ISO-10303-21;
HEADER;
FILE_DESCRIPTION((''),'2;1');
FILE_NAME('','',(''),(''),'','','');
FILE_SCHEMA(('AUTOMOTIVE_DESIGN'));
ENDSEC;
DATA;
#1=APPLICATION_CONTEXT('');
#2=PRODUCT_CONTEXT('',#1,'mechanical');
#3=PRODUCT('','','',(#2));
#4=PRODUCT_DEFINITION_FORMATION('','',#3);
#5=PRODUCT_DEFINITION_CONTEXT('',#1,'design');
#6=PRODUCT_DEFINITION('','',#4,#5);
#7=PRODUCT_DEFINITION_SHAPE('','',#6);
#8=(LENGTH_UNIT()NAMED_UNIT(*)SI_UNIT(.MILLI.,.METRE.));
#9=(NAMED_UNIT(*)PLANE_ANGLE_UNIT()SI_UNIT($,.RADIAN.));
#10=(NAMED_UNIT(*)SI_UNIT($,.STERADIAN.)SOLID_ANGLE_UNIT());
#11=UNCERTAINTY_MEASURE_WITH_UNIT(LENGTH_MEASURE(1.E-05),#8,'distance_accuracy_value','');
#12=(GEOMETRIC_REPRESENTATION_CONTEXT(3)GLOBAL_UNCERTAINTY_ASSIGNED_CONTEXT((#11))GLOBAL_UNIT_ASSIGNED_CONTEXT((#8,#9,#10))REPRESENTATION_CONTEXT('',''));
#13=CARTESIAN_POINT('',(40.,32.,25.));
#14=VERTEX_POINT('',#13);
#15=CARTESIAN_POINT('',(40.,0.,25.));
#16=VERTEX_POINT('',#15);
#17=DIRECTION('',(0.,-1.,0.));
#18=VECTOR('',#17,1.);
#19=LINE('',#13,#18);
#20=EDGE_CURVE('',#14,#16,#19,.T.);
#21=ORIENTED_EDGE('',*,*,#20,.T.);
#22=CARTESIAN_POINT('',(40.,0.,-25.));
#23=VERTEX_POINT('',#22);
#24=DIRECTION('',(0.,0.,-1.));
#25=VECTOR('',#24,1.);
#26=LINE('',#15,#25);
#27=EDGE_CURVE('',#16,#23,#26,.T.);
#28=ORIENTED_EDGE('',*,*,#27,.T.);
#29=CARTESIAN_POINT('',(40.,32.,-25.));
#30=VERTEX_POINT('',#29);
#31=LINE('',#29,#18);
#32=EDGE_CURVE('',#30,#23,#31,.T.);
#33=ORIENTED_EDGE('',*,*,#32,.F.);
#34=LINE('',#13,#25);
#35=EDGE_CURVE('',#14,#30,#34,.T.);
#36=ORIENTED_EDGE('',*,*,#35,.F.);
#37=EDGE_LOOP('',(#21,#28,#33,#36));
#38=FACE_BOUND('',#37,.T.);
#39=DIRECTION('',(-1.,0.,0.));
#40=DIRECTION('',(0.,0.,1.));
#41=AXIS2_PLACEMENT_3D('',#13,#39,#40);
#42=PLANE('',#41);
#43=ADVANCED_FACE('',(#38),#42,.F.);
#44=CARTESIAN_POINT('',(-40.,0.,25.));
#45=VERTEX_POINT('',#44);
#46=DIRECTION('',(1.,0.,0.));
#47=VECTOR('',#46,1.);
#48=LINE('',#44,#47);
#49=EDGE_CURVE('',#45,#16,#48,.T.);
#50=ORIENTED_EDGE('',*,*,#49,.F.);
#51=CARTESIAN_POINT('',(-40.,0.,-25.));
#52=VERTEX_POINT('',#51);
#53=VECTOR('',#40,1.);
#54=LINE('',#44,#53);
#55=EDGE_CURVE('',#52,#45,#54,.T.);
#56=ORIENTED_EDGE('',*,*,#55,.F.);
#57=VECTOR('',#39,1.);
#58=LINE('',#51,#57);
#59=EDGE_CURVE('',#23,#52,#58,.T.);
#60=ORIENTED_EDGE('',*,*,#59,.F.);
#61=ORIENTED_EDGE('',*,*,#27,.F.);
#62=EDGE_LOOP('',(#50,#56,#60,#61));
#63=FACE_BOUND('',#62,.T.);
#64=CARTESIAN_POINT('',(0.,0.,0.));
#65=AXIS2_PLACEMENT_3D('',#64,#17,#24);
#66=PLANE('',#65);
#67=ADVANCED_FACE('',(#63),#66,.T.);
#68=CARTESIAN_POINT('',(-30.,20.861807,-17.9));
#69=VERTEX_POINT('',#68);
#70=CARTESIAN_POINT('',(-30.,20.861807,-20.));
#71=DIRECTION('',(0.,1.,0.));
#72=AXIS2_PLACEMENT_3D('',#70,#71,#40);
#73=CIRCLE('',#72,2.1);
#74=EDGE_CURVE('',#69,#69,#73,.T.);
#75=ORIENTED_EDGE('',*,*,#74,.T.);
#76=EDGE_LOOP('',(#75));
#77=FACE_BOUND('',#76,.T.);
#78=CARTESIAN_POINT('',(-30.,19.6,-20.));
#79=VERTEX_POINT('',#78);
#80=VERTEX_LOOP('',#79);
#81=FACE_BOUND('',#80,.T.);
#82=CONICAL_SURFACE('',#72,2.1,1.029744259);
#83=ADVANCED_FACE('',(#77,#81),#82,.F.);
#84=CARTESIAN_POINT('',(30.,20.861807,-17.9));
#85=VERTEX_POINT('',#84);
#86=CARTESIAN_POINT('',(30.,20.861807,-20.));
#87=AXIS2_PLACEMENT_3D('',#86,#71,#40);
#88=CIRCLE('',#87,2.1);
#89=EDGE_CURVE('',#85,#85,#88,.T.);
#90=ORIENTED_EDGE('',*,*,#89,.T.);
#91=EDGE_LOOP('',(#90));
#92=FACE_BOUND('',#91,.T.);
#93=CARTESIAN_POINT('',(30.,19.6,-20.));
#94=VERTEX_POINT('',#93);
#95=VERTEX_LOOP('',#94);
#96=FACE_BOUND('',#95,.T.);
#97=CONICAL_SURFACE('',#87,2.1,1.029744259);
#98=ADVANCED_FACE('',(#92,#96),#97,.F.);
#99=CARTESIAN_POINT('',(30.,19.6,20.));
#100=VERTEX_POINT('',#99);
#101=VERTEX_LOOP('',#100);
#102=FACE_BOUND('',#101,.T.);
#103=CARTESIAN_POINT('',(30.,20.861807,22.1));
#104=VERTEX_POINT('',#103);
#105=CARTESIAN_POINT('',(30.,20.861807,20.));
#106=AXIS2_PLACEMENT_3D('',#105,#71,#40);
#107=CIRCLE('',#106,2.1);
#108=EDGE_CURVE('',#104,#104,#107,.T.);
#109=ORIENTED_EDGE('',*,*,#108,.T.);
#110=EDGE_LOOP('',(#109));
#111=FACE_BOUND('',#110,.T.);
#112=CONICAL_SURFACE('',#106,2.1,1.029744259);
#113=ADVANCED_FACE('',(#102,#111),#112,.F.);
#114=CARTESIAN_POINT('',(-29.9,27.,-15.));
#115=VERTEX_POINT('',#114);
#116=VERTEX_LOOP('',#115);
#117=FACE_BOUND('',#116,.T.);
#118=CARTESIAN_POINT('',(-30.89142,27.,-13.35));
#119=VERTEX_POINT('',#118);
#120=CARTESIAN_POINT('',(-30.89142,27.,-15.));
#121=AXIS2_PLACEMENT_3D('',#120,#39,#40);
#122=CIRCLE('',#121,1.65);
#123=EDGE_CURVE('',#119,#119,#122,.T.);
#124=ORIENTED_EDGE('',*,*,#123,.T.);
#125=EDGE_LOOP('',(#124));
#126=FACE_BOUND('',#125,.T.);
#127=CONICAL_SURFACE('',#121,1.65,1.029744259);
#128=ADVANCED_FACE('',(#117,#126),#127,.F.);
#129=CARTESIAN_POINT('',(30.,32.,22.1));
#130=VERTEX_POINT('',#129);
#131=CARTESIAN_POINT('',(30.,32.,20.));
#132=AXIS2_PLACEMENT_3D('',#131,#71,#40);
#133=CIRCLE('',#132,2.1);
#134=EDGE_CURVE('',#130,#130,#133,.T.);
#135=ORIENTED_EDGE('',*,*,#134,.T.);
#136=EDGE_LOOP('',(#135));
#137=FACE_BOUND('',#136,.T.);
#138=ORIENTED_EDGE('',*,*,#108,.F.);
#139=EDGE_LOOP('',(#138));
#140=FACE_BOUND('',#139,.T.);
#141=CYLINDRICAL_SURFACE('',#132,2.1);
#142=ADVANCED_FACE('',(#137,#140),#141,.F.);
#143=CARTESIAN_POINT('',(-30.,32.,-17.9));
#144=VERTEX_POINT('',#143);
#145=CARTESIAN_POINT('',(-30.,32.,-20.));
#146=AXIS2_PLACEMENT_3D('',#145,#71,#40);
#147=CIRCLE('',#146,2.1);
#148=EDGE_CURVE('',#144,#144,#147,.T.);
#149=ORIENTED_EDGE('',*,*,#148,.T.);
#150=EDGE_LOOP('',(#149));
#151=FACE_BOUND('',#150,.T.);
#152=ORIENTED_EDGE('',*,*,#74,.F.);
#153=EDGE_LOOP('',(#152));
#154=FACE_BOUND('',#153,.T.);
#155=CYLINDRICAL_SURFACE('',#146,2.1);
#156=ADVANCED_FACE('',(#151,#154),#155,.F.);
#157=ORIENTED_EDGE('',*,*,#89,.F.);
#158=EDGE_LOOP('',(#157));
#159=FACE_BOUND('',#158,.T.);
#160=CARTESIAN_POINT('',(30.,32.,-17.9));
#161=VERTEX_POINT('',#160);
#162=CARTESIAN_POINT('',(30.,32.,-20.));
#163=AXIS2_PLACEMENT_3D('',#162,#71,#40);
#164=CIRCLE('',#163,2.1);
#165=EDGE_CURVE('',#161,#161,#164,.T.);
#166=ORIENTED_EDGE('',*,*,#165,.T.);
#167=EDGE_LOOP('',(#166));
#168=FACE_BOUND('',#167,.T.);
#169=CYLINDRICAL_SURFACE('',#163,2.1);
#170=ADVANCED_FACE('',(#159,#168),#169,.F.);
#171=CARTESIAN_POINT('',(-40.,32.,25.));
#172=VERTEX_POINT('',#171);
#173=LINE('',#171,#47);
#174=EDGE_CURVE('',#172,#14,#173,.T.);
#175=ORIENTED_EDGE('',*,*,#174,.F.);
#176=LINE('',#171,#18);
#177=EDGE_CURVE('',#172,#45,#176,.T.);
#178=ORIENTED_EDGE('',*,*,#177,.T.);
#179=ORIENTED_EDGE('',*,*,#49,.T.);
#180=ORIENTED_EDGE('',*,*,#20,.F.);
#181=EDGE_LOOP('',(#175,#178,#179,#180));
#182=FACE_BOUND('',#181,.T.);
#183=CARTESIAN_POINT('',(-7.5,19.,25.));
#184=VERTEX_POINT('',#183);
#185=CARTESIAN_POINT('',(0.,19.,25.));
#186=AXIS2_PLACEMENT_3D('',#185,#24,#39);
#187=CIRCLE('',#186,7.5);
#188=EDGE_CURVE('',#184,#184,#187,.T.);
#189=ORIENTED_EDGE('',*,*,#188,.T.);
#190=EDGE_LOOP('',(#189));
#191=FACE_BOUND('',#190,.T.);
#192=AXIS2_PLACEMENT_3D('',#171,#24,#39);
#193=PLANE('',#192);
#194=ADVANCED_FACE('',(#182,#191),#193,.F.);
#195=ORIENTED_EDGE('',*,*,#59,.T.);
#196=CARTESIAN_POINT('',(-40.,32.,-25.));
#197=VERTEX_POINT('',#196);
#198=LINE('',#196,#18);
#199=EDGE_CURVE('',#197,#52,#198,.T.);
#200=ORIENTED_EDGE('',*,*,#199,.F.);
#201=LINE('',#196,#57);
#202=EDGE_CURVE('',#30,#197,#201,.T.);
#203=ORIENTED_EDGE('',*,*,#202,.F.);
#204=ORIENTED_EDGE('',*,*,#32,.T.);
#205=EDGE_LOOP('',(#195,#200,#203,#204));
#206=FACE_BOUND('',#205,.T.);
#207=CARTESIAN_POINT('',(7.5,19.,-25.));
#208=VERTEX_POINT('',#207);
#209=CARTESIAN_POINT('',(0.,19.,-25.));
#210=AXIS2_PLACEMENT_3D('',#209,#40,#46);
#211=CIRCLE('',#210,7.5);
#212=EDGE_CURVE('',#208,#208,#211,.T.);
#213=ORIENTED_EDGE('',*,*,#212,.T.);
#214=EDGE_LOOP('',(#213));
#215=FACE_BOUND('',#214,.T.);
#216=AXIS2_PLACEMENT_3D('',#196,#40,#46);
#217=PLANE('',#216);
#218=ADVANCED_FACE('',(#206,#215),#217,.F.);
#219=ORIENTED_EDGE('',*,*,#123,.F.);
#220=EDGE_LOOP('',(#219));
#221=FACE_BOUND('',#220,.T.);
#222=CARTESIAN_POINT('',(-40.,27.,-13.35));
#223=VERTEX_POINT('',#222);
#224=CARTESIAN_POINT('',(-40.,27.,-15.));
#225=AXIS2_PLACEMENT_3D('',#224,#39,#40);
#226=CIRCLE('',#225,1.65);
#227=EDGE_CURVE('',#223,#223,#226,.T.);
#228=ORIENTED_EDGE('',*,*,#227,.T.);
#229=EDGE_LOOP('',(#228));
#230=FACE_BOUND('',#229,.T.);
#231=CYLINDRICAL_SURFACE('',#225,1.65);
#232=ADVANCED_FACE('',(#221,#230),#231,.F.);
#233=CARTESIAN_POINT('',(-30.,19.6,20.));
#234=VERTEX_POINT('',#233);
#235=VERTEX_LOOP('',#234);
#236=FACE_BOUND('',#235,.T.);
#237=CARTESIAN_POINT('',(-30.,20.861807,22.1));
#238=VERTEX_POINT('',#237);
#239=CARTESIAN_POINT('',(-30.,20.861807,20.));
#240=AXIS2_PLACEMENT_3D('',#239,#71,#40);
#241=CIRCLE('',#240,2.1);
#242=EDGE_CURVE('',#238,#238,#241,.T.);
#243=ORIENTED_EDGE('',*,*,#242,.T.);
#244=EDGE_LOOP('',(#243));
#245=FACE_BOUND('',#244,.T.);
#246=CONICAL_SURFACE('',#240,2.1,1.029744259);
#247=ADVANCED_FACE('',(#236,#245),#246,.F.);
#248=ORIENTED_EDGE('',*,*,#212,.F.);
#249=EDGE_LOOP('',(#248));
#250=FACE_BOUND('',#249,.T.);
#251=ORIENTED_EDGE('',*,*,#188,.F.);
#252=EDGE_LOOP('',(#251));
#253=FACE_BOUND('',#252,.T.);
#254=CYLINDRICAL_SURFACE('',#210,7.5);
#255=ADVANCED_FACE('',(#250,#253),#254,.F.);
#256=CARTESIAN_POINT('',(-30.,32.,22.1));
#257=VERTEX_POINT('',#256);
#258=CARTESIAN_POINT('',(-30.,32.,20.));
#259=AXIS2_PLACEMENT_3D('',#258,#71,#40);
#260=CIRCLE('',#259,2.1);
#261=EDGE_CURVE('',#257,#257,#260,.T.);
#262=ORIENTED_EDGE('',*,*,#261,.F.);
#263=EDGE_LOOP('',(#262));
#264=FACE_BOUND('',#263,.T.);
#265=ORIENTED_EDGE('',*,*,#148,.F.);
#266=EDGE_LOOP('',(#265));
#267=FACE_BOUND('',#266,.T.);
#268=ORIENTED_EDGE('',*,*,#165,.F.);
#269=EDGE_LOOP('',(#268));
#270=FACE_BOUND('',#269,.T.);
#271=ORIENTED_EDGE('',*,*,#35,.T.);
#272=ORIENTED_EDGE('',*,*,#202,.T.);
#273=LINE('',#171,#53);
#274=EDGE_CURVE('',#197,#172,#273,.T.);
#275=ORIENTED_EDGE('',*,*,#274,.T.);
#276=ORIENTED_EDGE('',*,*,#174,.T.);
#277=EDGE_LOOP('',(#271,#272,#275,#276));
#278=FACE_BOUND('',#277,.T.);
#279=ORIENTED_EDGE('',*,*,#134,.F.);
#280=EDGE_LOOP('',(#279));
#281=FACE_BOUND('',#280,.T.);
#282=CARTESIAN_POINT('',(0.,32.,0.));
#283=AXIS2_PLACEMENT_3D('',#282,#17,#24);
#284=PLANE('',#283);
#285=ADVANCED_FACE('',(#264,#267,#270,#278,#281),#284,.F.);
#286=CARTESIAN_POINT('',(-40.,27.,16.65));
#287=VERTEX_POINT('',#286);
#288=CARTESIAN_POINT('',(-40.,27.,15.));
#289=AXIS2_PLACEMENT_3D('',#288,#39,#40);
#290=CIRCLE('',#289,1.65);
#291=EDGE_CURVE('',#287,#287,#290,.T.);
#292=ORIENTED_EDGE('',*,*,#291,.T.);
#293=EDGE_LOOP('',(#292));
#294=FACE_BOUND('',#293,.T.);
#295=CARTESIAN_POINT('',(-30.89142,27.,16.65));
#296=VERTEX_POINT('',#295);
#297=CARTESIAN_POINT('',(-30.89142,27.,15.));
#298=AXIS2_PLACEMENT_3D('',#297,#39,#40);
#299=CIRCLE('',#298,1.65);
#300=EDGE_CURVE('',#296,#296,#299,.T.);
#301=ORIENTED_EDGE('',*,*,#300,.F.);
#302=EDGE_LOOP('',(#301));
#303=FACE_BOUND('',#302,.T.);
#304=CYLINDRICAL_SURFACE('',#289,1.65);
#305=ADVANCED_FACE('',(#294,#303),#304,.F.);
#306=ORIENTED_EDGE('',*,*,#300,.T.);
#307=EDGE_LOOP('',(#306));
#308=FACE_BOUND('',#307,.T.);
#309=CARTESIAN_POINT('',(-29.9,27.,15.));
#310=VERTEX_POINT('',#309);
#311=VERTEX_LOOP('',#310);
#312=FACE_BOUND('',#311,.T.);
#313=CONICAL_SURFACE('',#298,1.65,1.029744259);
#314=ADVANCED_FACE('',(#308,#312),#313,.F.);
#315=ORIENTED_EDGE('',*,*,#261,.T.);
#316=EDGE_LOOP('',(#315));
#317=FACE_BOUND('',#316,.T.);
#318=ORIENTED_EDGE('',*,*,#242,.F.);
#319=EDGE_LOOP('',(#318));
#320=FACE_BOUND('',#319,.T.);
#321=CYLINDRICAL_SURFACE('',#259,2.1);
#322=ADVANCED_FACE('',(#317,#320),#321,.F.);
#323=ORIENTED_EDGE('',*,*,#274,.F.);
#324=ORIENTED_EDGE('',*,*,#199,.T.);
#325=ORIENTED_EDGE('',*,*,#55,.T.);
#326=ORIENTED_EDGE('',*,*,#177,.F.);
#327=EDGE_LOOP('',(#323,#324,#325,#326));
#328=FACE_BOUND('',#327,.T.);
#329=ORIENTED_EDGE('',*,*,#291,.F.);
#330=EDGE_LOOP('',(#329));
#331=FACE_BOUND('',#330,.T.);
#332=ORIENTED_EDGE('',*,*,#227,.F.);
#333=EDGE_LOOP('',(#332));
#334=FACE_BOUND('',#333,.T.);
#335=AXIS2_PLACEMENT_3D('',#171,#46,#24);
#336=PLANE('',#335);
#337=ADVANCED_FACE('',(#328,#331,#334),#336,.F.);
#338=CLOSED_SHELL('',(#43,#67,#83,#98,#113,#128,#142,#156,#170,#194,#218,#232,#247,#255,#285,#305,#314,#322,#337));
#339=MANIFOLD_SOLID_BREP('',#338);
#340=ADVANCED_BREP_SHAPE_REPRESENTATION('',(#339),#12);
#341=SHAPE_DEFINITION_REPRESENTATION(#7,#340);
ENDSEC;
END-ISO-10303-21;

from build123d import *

# Parameters (mm, degrees)
SKETCH_1_W               = 80
SKETCH_1_H               = 50
EXTRUDE_1_DEPTH          = 32
CUT_EXTRUDE_1_DEPTH      = 72.582120673
CUT_EXTRUDE_1_DEPTH_BACK = 72.582120673
SKETCH_2_R               = 7.5
HOLE_WIZARD_M5_1_D       = 4.2
HOLE_WIZARD_M5_1_DEPTH   = 11.1381927
HOLE_WIZARD_M5_1_TIP     = 1.2618073
HOLE_WIZARD_M4_1_D       = 3.3
HOLE_WIZARD_M4_1_DEPTH   = 9.108579979
HOLE_WIZARD_M4_1_TIP     = 0.991420021


with BuildPart() as part:
    # 草图1 → 凸台-拉伸1 (new body)
    with BuildSketch(Plane(origin=(0, 0, 0), x_dir=(1, 0, 0), z_dir=(0, 1, 0))):
        Rectangle(SKETCH_1_W, SKETCH_1_H)
    extrude(amount=EXTRUDE_1_DEPTH)

    # 草图2 → 切除-拉伸1 (cut, two sides: drawn at the far end of the back side and taken through both)
    with BuildSketch(Plane.XY.offset(25).offset(-CUT_EXTRUDE_1_DEPTH_BACK)):
        with Locations((0, 19)):
            Circle(SKETCH_2_R)
    extrude(amount=CUT_EXTRUDE_1_DEPTH + CUT_EXTRUDE_1_DEPTH_BACK, mode=Mode.SUBTRACT)

    # M5 螺纹孔1
    with Locations(Plane(origin=(0, 32, 0), x_dir=(1, 0, 0), z_dir=(0, 1, 0))):
        with Locations((-30, 20), (30, 20), (30, -20), (-30, -20)):
            Hole(HOLE_WIZARD_M5_1_D / 2, depth=HOLE_WIZARD_M5_1_DEPTH)
            with Locations((0, 0, -(HOLE_WIZARD_M5_1_DEPTH + HOLE_WIZARD_M5_1_TIP / 2))):  # 118° drill point
                Cone(0, HOLE_WIZARD_M5_1_D / 2, HOLE_WIZARD_M5_1_TIP, mode=Mode.SUBTRACT)

    # M4 螺纹孔1
    with Locations(Plane.ZY.offset(40)):
        with Locations((-15, 27), (15, 27)):
            Hole(HOLE_WIZARD_M4_1_D / 2, depth=HOLE_WIZARD_M4_1_DEPTH)
            with Locations((0, 0, -(HOLE_WIZARD_M4_1_DEPTH + HOLE_WIZARD_M4_1_TIP / 2))):  # 118° drill point
                Cone(0, HOLE_WIZARD_M4_1_D / 2, HOLE_WIZARD_M4_1_TIP, mode=Mode.SUBTRACT)


solid = part.part
